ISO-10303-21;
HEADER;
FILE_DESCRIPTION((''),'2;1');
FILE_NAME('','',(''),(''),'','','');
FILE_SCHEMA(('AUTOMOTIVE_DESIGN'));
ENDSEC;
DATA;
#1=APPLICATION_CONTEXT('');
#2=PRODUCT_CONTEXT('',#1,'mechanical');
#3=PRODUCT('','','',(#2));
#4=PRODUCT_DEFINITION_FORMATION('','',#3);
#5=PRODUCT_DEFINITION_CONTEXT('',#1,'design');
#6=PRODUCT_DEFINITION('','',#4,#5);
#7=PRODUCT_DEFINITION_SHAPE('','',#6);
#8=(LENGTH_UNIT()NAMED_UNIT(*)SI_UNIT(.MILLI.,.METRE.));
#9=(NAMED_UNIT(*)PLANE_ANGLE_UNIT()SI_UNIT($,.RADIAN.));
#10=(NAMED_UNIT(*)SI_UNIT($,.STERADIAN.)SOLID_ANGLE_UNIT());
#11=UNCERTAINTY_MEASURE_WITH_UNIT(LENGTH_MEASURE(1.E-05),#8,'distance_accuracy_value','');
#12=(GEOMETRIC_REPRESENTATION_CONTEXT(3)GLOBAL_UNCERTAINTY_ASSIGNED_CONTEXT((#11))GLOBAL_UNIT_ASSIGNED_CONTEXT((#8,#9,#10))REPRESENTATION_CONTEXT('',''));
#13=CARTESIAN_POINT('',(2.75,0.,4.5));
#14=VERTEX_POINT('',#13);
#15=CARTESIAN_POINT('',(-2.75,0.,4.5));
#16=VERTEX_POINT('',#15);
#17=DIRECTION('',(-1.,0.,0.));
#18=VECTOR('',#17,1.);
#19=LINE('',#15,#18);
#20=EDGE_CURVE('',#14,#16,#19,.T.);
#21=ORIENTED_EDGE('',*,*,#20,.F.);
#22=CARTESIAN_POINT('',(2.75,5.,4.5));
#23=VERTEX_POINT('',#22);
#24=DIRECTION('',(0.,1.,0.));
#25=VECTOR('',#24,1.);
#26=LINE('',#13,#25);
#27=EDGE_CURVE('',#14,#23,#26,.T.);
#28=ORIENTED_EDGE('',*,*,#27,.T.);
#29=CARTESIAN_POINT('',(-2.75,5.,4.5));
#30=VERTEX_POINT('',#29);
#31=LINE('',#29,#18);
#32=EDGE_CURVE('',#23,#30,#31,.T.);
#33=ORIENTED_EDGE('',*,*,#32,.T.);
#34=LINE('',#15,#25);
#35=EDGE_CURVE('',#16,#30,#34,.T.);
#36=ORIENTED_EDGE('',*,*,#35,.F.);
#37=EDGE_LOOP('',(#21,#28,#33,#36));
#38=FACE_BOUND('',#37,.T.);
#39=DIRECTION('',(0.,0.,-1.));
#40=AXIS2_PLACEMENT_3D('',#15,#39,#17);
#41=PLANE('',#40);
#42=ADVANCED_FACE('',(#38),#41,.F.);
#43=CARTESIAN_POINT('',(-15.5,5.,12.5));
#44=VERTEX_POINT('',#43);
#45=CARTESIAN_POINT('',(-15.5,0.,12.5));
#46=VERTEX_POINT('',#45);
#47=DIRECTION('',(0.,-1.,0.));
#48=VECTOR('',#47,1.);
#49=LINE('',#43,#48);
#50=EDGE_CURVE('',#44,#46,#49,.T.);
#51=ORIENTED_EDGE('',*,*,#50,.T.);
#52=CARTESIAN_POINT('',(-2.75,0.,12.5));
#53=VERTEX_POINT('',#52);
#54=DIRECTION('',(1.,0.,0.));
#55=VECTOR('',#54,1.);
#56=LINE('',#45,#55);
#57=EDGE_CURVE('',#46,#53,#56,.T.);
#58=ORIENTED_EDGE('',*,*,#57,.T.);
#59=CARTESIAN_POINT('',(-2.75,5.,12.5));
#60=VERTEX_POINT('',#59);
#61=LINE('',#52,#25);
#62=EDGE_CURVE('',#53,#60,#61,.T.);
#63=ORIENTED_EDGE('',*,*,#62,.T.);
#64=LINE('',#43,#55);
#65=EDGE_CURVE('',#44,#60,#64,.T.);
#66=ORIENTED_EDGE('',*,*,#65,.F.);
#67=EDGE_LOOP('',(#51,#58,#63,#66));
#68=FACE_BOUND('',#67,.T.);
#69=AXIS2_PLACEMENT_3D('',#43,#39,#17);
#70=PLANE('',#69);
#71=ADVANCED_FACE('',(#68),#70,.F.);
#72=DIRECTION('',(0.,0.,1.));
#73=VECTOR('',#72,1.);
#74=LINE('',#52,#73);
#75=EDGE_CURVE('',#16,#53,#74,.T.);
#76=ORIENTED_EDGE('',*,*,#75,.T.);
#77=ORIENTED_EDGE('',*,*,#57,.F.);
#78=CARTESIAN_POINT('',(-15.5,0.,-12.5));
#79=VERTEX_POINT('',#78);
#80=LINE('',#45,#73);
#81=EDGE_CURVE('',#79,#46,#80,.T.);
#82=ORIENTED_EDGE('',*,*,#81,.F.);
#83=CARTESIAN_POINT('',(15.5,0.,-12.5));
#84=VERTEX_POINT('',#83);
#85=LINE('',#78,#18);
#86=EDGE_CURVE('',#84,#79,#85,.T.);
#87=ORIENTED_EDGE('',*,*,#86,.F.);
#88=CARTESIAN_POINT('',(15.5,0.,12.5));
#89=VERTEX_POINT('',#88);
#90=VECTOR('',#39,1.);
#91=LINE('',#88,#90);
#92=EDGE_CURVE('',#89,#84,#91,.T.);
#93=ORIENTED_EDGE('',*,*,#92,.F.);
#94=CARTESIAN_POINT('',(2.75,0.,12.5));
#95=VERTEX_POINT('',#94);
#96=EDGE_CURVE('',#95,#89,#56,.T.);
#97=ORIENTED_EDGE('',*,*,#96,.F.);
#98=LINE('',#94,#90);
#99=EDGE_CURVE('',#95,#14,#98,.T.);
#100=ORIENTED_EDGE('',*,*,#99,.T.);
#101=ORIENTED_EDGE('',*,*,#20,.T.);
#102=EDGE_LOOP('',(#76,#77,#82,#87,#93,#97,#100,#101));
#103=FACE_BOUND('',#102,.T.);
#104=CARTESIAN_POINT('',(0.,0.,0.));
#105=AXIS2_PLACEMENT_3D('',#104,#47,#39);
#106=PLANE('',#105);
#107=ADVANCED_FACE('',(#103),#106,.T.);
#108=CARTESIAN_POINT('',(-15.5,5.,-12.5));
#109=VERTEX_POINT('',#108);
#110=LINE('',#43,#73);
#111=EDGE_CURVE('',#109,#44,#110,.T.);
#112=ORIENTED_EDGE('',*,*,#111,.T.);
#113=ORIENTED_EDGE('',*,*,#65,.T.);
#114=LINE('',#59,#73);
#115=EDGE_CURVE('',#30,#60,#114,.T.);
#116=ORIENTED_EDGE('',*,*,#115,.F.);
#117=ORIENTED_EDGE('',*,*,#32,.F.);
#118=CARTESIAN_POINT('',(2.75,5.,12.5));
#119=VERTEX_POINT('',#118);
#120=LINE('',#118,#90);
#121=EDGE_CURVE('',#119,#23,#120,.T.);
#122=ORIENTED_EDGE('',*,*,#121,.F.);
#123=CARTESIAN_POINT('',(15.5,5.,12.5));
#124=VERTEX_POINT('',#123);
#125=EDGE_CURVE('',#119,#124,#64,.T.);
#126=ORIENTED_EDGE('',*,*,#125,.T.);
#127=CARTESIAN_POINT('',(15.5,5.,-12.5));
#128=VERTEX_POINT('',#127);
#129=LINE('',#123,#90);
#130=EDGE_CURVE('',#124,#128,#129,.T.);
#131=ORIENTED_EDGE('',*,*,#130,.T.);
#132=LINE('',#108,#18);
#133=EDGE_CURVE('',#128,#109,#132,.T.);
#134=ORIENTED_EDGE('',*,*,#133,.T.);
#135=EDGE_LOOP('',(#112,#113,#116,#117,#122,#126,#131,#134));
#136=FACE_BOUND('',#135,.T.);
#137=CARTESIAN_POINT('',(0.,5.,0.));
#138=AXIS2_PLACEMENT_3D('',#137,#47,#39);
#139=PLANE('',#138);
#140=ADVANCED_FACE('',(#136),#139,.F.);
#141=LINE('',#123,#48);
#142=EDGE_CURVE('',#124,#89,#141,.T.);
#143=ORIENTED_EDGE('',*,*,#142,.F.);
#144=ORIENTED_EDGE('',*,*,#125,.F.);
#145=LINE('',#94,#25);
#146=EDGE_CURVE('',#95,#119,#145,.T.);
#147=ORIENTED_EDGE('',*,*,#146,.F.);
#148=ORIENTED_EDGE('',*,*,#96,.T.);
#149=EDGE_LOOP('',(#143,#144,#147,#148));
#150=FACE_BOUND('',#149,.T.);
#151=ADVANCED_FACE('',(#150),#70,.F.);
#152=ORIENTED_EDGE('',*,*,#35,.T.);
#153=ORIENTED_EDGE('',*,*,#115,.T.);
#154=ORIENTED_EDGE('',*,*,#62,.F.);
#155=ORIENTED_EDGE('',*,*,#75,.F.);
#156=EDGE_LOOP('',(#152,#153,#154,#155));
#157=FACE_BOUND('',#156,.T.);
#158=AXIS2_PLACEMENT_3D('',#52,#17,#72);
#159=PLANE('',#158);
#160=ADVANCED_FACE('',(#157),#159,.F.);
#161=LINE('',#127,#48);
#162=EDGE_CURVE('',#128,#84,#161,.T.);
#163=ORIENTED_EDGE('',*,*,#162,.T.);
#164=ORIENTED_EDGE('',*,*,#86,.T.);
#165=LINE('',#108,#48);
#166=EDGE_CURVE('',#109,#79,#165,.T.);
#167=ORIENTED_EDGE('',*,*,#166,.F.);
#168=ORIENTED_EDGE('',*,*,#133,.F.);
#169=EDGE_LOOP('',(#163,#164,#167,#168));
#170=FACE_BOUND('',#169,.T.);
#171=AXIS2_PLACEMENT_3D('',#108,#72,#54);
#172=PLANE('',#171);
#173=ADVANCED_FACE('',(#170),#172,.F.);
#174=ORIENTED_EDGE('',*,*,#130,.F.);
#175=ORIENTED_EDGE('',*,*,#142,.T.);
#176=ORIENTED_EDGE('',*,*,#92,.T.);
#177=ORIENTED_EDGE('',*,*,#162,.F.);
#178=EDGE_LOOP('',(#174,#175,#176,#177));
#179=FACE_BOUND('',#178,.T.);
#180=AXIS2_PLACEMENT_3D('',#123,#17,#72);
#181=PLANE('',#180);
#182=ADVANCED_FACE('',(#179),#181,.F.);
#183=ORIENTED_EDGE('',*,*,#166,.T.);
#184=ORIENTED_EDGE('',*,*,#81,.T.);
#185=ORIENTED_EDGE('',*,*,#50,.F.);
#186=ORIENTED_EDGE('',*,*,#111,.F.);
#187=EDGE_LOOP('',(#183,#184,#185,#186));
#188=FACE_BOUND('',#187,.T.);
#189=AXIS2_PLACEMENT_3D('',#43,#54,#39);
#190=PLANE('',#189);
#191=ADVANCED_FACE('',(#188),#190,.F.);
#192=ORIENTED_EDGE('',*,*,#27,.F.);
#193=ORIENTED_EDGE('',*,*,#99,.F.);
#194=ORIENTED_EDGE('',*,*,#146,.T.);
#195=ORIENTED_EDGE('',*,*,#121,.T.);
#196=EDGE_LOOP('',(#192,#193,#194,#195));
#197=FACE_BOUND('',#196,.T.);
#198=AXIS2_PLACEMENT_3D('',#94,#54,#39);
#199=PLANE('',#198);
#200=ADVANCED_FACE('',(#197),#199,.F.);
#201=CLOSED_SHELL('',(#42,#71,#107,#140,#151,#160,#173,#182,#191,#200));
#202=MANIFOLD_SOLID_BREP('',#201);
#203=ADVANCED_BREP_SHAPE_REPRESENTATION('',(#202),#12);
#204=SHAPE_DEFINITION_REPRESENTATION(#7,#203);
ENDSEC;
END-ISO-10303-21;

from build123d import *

# Parameters (mm, degrees)
CROQUIS1_W              = 31
CROQUIS1_H              = 25
SALIENTE_EXTRUIR1_DEPTH = 5
CROQUIS2_W              = 5.5
CROQUIS2_H              = 8
CORTAR_EXTRUIR1_DEPTH   = 5


with BuildPart() as part:
    # Croquis1 → Saliente-Extruir1 (new body)
    with BuildSketch(Plane(origin=(0, 0, 0), x_dir=(1, 0, 0), z_dir=(0, 1, 0))):
        Rectangle(CROQUIS1_W, CROQUIS1_H)
    extrude(amount=SALIENTE_EXTRUIR1_DEPTH)

    # Croquis2 → Cortar-Extruir1 (cut)
    with BuildSketch(Plane(origin=(0, 5, 0), x_dir=(1, 0, 0), z_dir=(0, 1, 0))):
        with Locations((0, -8.5)):
            Rectangle(CROQUIS2_W, CROQUIS2_H)
    extrude(amount=-CORTAR_EXTRUIR1_DEPTH, mode=Mode.SUBTRACT)


solid = part.part
